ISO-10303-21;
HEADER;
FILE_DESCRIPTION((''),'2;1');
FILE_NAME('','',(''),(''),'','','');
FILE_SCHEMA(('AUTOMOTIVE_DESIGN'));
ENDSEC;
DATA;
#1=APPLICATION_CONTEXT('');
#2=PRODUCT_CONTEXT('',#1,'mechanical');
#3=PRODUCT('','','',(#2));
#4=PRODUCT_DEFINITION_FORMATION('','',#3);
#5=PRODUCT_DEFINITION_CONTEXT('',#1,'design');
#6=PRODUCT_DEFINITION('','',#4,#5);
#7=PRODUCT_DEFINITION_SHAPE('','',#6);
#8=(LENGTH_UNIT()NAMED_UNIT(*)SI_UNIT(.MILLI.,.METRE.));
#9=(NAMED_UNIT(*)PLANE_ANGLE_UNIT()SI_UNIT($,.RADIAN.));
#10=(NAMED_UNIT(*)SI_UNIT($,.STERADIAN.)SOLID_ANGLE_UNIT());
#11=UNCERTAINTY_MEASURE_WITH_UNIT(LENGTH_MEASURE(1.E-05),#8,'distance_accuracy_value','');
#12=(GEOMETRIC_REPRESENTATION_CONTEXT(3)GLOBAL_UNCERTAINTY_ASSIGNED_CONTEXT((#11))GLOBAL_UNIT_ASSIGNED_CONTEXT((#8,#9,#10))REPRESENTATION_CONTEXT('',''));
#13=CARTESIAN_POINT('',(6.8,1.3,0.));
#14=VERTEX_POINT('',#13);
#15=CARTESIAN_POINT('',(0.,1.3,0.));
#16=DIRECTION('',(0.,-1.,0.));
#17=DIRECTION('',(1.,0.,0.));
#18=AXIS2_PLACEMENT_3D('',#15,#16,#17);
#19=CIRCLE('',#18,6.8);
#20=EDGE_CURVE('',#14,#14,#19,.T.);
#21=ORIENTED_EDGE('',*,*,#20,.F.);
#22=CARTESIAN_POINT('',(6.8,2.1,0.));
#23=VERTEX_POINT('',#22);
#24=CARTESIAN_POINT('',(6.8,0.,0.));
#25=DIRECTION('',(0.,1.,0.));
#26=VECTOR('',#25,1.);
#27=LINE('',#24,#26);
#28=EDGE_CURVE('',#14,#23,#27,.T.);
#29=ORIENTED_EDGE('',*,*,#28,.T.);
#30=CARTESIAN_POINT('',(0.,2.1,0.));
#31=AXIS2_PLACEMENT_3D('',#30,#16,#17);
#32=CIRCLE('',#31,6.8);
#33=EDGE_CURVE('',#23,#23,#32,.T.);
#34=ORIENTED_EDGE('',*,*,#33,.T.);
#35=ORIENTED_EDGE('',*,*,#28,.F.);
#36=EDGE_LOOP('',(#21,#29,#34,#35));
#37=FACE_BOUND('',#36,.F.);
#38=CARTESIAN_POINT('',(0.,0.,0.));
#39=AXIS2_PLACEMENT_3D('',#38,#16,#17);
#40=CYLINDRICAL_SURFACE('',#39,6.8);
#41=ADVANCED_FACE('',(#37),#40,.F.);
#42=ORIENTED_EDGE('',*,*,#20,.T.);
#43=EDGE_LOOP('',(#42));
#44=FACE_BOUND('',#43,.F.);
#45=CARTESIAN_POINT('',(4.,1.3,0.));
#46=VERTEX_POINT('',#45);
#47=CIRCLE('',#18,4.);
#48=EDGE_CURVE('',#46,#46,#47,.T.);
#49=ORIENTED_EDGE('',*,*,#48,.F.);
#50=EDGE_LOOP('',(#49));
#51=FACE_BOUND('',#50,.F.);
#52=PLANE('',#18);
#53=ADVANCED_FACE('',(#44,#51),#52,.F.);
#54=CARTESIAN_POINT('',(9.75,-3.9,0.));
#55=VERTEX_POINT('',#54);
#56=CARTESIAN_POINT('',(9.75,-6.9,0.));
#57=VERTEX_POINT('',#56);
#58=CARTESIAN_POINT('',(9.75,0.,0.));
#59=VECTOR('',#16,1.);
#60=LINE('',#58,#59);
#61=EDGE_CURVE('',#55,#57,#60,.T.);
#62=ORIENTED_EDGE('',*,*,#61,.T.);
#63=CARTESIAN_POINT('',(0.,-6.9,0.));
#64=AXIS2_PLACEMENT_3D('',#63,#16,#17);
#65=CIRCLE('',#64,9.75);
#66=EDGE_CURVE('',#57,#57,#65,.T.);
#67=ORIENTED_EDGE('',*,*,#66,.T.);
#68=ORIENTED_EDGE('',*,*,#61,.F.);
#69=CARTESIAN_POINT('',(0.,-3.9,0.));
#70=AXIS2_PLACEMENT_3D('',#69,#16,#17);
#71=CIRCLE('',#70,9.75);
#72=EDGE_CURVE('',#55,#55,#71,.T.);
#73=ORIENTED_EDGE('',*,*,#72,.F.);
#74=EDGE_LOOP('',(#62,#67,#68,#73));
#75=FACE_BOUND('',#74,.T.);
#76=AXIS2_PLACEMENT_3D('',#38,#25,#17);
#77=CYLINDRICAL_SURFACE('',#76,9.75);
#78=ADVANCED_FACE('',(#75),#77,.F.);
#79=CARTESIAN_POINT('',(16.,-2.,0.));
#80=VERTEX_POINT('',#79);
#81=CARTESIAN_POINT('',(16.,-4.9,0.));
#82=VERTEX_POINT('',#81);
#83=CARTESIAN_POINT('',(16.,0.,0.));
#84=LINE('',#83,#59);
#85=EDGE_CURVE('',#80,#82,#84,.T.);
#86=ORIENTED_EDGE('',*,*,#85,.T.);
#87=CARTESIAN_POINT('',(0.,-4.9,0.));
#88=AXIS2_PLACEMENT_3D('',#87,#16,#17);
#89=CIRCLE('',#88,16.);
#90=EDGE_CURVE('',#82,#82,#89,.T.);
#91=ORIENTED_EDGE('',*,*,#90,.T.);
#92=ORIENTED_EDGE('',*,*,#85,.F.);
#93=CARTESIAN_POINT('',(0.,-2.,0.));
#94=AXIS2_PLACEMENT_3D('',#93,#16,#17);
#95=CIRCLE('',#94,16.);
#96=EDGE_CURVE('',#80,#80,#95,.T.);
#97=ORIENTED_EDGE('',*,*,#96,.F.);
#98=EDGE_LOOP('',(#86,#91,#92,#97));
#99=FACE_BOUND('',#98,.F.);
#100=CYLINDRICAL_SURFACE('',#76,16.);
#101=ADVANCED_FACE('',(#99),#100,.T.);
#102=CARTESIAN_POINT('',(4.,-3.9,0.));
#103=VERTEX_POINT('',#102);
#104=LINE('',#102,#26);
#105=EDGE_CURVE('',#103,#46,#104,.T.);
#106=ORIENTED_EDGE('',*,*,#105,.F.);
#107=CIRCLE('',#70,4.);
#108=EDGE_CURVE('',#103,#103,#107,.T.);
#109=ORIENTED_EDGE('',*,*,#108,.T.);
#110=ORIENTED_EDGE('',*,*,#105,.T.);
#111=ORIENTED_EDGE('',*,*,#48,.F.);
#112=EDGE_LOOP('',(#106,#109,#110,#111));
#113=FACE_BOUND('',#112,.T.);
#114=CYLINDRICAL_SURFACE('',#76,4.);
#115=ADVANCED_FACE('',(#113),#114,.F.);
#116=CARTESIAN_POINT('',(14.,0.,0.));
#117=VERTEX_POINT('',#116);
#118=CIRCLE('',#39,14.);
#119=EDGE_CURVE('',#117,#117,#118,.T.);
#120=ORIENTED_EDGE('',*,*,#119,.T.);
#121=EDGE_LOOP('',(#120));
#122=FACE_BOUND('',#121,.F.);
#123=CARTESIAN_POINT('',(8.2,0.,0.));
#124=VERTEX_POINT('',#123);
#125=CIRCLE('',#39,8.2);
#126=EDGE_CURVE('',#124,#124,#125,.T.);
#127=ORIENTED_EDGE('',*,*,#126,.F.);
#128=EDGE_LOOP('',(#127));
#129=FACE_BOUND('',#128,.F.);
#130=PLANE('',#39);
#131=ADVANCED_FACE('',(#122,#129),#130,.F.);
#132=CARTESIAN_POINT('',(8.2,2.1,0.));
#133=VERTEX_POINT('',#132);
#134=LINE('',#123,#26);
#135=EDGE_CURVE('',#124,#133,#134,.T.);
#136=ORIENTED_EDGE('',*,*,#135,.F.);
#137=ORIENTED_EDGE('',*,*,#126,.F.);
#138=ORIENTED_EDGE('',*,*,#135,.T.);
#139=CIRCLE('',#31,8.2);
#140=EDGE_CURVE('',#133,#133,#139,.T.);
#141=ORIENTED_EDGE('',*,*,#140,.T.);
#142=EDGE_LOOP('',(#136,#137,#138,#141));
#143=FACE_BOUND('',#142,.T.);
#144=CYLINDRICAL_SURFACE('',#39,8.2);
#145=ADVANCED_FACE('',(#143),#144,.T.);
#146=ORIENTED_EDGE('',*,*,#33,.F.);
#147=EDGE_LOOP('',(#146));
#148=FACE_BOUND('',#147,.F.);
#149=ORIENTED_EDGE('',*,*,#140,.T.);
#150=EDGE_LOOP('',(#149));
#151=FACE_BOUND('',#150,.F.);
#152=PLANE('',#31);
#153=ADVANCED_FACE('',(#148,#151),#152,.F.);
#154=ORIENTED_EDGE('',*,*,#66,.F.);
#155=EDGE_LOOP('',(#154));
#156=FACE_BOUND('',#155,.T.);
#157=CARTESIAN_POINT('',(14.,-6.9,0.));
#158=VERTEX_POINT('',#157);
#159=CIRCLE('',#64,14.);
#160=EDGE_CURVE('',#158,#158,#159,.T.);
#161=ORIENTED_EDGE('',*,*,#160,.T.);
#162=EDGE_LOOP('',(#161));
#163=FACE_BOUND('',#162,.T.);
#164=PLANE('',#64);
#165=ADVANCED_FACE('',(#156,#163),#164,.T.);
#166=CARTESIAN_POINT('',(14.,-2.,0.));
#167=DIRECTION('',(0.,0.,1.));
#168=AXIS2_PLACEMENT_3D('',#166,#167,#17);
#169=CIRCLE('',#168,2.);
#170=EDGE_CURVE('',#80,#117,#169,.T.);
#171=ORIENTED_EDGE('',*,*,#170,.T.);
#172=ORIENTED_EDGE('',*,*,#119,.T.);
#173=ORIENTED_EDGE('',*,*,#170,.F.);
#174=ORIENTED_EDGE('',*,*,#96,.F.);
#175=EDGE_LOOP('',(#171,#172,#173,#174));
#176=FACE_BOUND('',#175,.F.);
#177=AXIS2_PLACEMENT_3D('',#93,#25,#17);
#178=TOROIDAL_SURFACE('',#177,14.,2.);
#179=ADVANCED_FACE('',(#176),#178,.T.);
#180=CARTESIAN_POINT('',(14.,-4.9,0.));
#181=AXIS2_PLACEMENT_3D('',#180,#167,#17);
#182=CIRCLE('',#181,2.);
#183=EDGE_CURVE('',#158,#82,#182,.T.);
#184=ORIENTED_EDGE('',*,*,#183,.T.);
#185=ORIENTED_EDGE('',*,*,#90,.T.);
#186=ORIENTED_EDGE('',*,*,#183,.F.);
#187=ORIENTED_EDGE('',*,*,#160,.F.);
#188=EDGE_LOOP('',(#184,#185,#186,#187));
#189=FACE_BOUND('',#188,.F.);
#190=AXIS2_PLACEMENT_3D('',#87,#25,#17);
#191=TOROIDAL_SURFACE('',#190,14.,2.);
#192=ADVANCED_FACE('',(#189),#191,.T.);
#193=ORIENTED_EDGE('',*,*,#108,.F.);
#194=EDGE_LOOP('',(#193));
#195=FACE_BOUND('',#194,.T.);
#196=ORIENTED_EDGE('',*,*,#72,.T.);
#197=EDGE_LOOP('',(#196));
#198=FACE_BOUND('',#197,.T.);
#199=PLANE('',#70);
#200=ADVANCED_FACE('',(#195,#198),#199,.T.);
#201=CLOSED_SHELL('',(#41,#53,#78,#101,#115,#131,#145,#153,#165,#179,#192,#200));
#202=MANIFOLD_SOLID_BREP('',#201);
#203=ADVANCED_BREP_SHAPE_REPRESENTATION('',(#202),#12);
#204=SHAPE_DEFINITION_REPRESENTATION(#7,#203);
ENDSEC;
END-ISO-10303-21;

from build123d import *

# Parameters (mm, degrees)
F0_R     = 9.75
F0_R_2   = 4
F1_DEPTH = 3.9
F0_R_3   = 16
F2_DEPTH = 6.9
F3_R     = 8.2
F3_R_2   = 6.8
F4_DEPTH = 2.1
F3_R_3   = 4
F5_DEPTH = 1.3
F6_R     = 2


with BuildPart() as f1:
    # F0 (on Front) → F1 (new body)
    with BuildSketch(Plane.XZ):
        Circle(F0_R)
        Circle(F0_R_2, mode=Mode.SUBTRACT)
    extrude(amount=F1_DEPTH)

    # F0 (on Front) → F2 (join)
    with BuildSketch(Plane.XZ):
        Circle(F0_R_3)
        Circle(F0_R, mode=Mode.SUBTRACT)
    extrude(amount=F2_DEPTH)

    # F3 (on Front) → F4 (join)
    with BuildSketch(Plane.XZ):
        Circle(F3_R)
        Circle(F3_R_2, mode=Mode.SUBTRACT)
    extrude(amount=-F4_DEPTH)

    # F3 (on Front) → F5 (join)
    with BuildSketch(Plane.XZ):
        Circle(F3_R_2)
        Circle(F3_R_3, mode=Mode.SUBTRACT)
    extrude(amount=-F5_DEPTH)

    # F6
    f6_edges = [f1.edges().sort_by_distance(p)[0] for p in [
        (-16, -6.9, 0),
        (-16, 0, 0),
    ]]
    fillet(f6_edges, radius=F6_R)


solid = f1.part
